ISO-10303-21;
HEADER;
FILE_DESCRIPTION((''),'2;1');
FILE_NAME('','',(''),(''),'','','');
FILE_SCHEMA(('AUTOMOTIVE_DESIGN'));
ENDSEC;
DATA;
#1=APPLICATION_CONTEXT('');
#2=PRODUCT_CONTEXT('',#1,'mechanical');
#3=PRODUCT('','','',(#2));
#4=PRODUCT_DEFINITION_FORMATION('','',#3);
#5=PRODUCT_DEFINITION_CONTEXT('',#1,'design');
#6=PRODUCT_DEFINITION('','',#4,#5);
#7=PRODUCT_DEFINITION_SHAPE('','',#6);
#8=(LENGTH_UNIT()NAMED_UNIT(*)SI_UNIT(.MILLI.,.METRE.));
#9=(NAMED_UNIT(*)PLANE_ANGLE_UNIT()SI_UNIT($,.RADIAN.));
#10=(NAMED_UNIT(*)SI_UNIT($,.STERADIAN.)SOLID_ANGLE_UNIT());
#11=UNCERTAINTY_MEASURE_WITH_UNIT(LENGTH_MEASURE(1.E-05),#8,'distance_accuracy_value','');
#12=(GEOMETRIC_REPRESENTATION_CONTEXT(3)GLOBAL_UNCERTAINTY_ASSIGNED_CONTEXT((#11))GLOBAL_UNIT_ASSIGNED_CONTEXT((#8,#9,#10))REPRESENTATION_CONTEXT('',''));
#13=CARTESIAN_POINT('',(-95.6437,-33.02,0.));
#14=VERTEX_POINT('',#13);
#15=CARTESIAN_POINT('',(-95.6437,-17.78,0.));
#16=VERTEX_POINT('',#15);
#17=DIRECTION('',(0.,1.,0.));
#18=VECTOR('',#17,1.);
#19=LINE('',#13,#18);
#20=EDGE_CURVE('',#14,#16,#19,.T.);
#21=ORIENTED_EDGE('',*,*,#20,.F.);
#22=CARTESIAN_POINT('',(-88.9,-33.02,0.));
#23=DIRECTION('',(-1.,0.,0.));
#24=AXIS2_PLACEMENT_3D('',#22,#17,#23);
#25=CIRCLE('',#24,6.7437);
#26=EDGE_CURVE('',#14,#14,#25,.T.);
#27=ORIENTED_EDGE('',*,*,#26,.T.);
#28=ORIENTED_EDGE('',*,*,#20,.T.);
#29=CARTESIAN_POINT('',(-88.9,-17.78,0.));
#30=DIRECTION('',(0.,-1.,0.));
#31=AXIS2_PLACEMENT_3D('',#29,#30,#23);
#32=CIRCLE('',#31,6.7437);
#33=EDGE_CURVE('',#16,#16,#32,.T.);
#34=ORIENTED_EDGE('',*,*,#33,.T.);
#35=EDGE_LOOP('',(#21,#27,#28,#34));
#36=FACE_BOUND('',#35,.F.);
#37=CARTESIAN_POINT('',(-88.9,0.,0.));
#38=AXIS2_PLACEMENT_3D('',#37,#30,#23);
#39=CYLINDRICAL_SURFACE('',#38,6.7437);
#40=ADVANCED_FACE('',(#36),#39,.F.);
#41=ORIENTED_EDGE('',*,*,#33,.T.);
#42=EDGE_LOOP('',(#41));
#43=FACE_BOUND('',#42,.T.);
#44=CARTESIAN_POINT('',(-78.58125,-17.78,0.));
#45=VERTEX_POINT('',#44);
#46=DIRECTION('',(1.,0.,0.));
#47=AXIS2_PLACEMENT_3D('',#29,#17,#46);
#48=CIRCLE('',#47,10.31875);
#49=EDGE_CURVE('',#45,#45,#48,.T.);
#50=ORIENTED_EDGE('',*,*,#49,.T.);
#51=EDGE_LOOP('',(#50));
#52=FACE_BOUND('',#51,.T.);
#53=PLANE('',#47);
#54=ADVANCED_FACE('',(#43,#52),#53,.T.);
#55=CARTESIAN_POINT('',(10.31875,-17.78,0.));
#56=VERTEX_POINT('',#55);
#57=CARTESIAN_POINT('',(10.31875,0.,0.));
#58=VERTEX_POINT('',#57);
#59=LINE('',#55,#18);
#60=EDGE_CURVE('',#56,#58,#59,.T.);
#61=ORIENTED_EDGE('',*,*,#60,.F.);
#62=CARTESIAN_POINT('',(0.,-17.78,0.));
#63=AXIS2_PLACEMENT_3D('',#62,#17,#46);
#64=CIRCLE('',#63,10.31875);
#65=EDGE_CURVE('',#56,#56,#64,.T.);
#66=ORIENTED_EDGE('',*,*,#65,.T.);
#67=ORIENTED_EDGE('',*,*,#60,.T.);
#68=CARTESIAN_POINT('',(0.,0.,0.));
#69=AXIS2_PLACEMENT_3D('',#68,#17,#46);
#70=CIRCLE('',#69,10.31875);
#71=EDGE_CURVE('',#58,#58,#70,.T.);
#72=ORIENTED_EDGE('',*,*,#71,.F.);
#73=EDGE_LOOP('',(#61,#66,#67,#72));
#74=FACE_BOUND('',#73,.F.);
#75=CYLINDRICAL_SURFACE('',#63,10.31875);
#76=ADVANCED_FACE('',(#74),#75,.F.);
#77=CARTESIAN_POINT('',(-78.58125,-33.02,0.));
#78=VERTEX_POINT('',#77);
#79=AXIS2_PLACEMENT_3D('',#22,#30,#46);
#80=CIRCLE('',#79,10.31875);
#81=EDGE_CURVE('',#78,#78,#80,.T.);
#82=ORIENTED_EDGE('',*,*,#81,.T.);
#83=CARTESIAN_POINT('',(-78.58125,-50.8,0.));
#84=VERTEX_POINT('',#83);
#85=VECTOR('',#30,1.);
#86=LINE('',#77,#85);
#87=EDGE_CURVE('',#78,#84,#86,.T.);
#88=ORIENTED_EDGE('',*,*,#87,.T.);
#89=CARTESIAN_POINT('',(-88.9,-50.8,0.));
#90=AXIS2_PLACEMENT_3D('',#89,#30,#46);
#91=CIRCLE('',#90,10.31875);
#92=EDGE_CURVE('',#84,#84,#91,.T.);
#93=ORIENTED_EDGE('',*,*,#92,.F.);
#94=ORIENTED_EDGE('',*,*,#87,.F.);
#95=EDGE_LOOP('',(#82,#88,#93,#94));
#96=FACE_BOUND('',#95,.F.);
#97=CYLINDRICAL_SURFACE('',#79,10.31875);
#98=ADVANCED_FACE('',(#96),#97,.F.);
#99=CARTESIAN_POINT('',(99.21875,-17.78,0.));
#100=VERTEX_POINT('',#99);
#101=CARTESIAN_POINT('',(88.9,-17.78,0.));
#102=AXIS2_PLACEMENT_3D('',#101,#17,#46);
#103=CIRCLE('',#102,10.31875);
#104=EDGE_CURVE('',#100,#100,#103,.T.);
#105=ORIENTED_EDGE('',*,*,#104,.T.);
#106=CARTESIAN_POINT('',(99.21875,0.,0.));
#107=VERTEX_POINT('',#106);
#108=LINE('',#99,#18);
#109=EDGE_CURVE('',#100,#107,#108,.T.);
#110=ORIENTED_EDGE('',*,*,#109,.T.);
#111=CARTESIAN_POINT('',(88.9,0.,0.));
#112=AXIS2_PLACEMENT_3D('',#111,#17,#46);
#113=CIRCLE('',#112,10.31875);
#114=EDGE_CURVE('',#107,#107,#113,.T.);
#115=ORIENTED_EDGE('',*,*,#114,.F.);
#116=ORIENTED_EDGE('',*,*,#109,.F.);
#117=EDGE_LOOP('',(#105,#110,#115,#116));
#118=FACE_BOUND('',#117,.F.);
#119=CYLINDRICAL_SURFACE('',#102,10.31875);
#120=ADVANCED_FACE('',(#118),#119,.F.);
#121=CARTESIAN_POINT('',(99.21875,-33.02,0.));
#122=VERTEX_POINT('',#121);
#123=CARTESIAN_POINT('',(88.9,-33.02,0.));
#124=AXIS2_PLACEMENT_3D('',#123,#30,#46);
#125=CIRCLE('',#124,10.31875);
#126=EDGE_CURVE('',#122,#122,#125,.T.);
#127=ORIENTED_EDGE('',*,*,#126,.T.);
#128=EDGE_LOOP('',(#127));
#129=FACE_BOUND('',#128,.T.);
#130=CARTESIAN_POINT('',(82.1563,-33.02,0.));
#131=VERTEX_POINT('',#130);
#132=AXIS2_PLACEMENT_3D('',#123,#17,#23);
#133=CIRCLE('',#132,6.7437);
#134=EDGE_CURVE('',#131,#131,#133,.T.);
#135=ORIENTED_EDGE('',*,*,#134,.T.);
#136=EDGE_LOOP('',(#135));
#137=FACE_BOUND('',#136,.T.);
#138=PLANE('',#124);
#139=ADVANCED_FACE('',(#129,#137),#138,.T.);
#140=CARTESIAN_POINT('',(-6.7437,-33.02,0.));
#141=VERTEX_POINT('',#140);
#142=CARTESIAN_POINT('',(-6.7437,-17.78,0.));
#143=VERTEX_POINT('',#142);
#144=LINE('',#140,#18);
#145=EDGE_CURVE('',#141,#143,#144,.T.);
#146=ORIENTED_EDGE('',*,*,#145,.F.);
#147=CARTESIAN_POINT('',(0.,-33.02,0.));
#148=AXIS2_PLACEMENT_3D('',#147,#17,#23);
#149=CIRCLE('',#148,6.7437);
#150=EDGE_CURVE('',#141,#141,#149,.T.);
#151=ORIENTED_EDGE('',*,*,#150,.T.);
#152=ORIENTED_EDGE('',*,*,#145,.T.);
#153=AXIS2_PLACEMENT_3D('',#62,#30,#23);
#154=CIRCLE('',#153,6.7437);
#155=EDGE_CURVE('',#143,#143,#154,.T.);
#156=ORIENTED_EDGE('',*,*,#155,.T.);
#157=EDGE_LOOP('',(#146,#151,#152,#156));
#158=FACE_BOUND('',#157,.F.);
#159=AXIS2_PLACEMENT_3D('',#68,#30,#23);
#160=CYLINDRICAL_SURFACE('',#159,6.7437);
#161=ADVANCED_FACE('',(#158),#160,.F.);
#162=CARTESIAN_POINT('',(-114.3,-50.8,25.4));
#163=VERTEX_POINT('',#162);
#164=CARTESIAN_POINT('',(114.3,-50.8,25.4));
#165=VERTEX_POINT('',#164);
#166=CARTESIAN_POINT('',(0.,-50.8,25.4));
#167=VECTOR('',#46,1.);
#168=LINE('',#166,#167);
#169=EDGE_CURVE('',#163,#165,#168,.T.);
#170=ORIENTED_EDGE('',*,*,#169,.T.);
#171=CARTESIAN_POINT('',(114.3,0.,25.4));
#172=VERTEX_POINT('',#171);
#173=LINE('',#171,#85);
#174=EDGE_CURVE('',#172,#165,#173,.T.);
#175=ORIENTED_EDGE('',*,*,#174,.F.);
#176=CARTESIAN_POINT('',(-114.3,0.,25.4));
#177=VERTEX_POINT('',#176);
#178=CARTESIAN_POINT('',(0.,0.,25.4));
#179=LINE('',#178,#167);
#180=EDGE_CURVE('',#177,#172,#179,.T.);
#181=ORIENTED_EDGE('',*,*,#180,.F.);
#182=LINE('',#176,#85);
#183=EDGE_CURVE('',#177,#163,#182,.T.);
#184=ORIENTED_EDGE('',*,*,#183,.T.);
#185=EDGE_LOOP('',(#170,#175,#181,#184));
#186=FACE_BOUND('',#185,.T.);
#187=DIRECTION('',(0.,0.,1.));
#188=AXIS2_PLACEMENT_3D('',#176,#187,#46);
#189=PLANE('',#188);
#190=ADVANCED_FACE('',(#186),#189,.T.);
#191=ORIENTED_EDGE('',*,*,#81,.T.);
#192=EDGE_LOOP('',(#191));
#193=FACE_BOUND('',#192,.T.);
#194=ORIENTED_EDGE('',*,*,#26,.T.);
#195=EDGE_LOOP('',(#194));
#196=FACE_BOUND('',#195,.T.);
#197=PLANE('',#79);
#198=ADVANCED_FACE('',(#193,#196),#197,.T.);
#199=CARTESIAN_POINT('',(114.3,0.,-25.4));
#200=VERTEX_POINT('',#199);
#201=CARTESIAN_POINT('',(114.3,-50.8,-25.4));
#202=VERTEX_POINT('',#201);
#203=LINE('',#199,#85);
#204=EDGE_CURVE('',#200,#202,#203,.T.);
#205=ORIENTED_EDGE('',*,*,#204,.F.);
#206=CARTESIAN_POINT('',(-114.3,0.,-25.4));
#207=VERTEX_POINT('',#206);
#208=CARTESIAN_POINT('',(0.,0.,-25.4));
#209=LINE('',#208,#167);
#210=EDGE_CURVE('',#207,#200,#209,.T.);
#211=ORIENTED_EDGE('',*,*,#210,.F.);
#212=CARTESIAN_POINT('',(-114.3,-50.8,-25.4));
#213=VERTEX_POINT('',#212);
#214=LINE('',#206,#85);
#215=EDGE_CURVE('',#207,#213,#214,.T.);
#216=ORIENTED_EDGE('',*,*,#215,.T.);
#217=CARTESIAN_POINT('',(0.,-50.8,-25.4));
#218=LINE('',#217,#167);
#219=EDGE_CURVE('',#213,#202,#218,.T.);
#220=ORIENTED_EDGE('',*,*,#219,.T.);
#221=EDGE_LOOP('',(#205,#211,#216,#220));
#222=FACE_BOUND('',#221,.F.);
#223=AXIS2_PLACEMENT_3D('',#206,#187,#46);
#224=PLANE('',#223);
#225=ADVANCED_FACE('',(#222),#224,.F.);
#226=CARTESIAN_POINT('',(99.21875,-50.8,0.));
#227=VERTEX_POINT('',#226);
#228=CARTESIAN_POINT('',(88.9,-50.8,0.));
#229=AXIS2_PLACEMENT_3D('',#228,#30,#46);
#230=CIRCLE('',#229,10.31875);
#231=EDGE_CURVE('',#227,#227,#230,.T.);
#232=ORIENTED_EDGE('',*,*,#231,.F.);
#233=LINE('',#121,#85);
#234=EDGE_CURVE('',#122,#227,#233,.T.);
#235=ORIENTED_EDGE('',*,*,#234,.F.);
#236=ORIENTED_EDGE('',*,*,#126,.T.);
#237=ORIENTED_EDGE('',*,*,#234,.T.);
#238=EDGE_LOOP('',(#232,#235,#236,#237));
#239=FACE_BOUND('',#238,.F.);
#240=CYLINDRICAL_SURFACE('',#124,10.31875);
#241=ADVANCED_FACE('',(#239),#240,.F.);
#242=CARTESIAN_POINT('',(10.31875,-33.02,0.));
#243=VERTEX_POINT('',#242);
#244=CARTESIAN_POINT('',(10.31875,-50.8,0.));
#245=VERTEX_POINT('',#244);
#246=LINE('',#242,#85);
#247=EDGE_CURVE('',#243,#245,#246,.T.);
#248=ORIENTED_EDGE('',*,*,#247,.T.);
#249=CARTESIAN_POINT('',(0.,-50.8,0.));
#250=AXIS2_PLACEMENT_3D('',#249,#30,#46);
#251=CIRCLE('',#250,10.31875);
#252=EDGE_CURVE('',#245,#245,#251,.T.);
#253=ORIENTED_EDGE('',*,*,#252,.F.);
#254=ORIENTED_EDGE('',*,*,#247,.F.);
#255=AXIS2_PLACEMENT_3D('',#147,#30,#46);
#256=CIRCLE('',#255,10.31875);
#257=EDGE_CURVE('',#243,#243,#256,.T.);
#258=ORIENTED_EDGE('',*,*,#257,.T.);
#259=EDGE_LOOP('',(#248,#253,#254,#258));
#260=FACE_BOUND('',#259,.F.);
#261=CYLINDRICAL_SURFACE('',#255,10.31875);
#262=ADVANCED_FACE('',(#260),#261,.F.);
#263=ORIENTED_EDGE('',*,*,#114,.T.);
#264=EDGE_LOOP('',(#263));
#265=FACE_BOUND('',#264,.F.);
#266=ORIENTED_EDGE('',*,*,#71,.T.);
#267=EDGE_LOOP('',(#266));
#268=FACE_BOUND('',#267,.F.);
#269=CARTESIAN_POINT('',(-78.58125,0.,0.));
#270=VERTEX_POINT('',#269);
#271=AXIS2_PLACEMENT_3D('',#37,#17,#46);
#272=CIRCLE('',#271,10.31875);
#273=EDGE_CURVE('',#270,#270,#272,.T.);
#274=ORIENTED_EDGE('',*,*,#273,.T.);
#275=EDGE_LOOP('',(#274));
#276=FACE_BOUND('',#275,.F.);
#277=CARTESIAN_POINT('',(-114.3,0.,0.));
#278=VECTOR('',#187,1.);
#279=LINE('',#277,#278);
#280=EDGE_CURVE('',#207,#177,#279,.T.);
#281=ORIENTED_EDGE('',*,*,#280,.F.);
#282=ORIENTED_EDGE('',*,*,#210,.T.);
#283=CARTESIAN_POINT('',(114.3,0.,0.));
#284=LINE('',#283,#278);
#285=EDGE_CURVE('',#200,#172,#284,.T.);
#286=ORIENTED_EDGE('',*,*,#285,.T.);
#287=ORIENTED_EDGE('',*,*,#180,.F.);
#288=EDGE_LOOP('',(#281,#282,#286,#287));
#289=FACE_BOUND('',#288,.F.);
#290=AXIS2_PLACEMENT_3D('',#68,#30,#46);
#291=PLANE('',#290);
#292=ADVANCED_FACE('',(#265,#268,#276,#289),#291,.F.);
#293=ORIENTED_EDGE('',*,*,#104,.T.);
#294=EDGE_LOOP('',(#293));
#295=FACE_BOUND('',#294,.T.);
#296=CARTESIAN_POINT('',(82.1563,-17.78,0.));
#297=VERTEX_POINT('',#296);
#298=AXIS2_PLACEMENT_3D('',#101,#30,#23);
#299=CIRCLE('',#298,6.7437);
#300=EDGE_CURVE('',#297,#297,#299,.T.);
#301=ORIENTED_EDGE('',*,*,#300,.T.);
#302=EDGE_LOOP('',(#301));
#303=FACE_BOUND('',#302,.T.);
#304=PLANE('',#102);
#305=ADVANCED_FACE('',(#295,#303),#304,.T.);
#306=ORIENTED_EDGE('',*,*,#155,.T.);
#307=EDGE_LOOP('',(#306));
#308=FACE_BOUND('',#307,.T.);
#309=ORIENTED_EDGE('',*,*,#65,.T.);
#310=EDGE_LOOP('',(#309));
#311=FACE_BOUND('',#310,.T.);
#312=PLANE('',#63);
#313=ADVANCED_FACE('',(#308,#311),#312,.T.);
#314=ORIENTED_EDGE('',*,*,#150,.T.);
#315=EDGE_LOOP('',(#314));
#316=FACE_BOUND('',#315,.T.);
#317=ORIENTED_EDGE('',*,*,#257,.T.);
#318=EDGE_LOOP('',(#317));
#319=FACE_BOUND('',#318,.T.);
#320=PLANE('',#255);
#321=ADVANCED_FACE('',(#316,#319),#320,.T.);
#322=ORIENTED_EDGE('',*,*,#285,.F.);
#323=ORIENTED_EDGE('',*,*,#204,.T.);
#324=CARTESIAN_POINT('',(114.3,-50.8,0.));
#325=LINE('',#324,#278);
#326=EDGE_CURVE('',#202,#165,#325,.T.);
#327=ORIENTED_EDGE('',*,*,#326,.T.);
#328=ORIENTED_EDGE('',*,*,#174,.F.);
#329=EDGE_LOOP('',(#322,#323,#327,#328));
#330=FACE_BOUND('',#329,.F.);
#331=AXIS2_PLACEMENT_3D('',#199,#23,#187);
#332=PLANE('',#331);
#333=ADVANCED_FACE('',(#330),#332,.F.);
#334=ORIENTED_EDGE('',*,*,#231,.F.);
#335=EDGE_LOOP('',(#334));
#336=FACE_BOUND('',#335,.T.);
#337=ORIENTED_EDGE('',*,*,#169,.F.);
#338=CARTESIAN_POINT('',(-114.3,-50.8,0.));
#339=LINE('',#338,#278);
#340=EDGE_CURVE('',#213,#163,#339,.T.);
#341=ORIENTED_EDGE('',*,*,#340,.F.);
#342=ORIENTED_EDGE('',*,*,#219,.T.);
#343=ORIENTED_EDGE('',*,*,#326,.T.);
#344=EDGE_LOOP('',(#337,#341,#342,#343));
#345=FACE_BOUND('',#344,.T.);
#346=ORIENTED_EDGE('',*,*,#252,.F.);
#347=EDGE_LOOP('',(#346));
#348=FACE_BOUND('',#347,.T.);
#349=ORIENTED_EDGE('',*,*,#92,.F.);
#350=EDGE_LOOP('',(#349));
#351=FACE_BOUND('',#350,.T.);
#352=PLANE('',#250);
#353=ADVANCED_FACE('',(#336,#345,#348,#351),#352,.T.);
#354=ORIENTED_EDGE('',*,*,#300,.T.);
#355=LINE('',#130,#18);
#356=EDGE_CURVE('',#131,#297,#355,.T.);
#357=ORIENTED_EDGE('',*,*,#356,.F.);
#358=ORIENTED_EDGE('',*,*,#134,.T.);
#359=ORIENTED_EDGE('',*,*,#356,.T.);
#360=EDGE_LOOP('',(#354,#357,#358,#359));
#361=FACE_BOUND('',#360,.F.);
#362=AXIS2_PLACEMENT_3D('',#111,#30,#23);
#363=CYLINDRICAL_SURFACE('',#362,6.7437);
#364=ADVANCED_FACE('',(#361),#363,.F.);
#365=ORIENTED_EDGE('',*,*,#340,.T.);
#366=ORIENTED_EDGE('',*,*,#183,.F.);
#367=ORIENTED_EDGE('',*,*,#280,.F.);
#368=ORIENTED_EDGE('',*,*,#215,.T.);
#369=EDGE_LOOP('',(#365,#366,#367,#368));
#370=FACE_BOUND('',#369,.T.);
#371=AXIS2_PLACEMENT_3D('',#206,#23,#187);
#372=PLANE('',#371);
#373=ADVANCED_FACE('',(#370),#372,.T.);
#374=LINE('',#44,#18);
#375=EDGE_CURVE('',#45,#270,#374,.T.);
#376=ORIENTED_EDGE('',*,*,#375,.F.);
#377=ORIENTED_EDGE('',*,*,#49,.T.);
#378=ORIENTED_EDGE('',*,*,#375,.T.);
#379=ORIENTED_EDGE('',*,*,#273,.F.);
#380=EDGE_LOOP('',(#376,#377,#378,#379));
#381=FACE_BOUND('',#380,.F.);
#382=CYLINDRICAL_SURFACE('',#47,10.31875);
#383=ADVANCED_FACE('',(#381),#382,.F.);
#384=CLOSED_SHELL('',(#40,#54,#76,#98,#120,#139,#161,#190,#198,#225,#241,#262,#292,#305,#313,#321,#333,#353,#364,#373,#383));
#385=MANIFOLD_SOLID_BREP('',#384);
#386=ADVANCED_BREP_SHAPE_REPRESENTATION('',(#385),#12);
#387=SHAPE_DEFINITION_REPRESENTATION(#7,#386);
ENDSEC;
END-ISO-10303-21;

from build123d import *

# Parameters (mm, degrees)
F0_W           = 228.6
F0_H           = 50.8
F1_DEPTH       = 50.8
F3_D           = 13.4874
F3_CBORE_D     = 20.6375
F3_CBORE_DEPTH = 17.78
F5_D           = 13.4874
F5_DEPTH       = 25.4
F5_CBORE_D     = 20.6375
F5_CBORE_DEPTH = 17.78


with BuildPart() as f1:
    # F0 (on Front) → F1 (new body)
    with BuildSketch(Plane.XZ):
        Rectangle(F0_W, F0_H)
    extrude(amount=F1_DEPTH)

    # F3 (through all)
    with Locations(Plane.XZ.offset(50.8)):
        with Locations((-88.9, 0), (0, 0), (88.9, 0)):
            CounterBoreHole(F3_D / 2, F3_CBORE_D / 2, F3_CBORE_DEPTH)

    # F5
    with Locations(Plane(origin=(0, 0, 0), x_dir=(1, 0, 0), z_dir=(0, 1, 0))):
        with Locations((88.9, 0), (0, 0), (-88.9, 0)):
            CounterBoreHole(F5_D / 2, F5_CBORE_D / 2, F5_CBORE_DEPTH, depth=F5_DEPTH)


solid = f1.part
